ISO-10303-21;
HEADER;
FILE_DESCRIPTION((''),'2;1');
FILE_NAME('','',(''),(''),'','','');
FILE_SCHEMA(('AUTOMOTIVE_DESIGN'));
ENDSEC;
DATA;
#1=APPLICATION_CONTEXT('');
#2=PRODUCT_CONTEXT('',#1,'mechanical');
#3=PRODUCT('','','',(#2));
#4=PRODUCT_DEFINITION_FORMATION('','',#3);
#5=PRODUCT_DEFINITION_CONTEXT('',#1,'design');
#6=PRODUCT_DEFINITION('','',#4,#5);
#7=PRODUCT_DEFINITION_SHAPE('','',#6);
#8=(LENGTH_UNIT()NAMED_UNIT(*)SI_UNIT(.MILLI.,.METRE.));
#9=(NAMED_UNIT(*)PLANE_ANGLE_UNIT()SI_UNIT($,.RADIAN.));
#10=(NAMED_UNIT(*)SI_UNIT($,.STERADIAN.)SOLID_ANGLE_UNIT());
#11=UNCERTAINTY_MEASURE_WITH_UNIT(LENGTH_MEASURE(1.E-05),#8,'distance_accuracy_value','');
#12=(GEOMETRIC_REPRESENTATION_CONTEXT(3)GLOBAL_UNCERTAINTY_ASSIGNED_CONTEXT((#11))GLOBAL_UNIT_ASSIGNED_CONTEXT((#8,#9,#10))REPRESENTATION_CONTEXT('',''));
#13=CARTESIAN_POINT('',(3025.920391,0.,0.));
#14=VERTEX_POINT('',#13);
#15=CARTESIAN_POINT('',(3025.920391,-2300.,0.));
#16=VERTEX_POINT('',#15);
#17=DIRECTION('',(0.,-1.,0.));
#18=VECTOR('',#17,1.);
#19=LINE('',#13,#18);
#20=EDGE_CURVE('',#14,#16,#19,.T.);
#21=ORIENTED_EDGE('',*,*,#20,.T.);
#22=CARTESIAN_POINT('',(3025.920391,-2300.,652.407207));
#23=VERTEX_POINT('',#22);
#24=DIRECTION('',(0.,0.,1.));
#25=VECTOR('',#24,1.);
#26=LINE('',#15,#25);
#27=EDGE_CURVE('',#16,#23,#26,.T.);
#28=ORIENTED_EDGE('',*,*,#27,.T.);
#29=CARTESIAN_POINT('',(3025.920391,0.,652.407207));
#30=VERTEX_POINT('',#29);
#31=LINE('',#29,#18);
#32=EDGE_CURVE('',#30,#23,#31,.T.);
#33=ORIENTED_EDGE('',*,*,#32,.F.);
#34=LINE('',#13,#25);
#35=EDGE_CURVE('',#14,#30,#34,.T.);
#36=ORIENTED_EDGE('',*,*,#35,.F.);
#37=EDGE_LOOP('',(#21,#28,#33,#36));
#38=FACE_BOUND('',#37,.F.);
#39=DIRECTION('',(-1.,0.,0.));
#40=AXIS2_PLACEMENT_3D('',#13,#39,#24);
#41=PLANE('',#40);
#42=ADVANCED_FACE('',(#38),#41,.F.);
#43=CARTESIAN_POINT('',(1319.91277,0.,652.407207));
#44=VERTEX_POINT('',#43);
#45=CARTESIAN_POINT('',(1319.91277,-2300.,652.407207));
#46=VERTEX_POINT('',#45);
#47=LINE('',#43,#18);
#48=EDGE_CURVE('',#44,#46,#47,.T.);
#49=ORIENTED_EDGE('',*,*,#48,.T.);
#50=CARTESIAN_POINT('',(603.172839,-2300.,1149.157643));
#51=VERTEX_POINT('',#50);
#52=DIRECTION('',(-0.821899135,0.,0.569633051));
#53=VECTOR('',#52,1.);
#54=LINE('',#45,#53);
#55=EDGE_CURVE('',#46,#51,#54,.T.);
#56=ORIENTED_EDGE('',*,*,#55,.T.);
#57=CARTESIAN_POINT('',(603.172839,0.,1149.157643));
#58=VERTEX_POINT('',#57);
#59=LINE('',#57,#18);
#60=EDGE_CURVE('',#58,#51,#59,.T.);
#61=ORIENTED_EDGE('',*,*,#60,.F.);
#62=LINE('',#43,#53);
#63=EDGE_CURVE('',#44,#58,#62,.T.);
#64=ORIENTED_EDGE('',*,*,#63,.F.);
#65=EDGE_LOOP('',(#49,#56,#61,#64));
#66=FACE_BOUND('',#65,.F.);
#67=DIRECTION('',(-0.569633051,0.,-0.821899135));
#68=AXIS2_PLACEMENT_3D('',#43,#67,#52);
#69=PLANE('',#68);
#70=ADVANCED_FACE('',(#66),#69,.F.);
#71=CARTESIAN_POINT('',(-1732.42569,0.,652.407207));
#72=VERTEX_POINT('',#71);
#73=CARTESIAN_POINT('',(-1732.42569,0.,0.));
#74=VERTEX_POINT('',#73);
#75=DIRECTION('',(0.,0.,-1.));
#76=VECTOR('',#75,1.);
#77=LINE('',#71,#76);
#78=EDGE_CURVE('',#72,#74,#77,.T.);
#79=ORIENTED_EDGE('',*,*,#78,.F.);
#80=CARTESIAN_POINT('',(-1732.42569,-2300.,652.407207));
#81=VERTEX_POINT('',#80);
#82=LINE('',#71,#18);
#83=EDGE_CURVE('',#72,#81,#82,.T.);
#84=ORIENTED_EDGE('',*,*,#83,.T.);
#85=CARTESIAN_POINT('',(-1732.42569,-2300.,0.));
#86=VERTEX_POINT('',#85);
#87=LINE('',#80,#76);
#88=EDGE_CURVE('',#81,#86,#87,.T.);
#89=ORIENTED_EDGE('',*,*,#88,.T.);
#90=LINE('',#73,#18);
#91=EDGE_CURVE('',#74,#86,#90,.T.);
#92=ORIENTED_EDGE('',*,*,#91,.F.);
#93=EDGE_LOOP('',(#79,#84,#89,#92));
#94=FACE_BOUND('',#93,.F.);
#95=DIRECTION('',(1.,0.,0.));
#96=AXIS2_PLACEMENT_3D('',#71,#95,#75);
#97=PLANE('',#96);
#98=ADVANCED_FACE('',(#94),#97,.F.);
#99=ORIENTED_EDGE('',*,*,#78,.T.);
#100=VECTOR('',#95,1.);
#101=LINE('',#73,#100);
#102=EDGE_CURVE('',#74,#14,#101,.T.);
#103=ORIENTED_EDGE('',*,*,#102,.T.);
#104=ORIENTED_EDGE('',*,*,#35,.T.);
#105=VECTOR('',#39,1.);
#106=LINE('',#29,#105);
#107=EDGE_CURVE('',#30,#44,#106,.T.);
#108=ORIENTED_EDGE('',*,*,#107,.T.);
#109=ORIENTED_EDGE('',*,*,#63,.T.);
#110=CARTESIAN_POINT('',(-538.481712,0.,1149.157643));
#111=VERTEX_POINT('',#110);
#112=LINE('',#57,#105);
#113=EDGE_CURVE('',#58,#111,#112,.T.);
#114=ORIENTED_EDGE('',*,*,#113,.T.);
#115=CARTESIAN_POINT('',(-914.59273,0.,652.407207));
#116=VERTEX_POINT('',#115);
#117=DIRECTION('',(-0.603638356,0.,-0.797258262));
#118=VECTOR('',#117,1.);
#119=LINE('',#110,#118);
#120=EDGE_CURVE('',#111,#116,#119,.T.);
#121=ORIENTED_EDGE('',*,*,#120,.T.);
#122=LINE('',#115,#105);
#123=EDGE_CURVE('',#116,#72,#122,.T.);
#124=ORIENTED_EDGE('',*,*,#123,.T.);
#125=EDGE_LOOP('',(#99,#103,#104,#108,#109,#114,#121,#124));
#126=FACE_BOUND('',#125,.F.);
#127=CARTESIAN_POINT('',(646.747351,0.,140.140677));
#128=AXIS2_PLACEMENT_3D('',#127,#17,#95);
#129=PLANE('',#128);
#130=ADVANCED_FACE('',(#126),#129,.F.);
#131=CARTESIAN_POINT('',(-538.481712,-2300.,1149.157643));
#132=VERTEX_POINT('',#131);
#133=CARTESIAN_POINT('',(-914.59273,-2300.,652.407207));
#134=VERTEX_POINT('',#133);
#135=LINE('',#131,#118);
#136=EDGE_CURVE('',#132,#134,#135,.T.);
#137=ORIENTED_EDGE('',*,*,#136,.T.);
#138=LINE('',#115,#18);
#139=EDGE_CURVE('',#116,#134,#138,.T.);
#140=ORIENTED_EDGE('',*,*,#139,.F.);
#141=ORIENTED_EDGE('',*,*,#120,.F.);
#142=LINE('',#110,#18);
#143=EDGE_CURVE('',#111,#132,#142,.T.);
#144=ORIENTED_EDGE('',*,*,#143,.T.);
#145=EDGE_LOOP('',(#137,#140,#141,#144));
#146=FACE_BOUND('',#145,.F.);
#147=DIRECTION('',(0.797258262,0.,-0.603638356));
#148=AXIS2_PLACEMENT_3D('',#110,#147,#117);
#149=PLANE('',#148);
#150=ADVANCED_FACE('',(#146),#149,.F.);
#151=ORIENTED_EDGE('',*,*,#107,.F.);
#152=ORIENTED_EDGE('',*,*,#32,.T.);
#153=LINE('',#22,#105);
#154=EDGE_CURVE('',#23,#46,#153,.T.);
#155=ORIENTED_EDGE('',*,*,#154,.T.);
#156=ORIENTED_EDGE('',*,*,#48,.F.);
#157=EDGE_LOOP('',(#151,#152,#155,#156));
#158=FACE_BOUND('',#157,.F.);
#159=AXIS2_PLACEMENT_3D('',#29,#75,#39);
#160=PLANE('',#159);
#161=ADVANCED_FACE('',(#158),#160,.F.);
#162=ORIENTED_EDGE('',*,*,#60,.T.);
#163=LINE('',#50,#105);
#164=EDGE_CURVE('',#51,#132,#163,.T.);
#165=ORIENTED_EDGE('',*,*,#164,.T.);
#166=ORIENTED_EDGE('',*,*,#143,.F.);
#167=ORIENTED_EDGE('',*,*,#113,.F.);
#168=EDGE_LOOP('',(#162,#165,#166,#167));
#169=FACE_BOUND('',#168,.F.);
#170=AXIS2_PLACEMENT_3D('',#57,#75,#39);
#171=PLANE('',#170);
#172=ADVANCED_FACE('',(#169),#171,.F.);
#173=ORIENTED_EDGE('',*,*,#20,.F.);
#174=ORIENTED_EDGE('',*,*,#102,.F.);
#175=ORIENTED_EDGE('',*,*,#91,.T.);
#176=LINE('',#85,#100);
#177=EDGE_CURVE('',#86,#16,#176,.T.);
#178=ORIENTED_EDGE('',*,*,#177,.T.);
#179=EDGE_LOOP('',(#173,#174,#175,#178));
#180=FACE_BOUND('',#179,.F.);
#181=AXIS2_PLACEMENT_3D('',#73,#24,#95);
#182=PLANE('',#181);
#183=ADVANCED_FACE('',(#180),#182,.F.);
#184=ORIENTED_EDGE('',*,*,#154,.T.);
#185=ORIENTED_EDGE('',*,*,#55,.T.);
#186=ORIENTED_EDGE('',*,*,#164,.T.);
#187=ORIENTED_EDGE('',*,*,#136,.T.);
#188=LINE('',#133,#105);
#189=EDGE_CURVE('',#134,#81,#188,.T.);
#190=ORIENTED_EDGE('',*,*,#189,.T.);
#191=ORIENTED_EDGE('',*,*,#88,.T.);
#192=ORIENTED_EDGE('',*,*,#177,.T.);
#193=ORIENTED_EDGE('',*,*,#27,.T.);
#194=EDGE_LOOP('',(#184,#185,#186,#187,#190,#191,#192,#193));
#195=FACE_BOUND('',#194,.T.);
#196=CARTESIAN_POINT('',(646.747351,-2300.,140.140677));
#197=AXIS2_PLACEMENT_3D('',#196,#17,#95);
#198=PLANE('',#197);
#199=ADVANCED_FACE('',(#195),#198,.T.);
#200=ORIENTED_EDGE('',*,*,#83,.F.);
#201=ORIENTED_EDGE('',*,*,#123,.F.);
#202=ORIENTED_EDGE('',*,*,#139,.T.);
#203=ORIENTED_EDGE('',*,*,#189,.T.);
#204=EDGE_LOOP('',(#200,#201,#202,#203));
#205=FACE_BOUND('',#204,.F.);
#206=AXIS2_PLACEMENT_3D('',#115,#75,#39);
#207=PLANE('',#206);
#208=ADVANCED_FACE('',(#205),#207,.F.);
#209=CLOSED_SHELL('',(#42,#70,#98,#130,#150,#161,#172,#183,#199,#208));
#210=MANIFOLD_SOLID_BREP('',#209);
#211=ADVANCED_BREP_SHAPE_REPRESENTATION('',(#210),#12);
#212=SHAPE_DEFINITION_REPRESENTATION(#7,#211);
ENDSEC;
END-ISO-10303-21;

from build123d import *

# Parameters (mm, degrees)
F1_DEPTH = 2300


with BuildPart() as f1:
    # F0 (on Front) → F1 (new body)
    with BuildSketch(Plane.XZ):
        Polygon((-1732.42569, 280.281354), (-1732.42569, 0), (-1123.595238, 0), (-810.496151, 0), (2393.774033, 0), (2706.873178, 0), (3025.920391, 0), (3025.920391, 280.281354), (2706.873178, 280.281354), (2393.774033, 280.281354), (-810.496151, 280.281354), (-1123.595238, 280.281354), align=None)
        Polygon((-1732.42569, 652.407207), (-1732.42569, 280.281354), (-1123.595238, 280.281354), (-810.496151, 280.281354), (2393.774033, 280.281354), (2706.873178, 280.281354), (3025.920391, 280.281354), (3025.920391, 652.407207), (1319.91277, 652.407207), (603.172839, 1149.157643), (-538.481712, 1149.157643), (-914.59273, 652.407207), align=None)
    extrude(amount=F1_DEPTH)


solid = f1.part
